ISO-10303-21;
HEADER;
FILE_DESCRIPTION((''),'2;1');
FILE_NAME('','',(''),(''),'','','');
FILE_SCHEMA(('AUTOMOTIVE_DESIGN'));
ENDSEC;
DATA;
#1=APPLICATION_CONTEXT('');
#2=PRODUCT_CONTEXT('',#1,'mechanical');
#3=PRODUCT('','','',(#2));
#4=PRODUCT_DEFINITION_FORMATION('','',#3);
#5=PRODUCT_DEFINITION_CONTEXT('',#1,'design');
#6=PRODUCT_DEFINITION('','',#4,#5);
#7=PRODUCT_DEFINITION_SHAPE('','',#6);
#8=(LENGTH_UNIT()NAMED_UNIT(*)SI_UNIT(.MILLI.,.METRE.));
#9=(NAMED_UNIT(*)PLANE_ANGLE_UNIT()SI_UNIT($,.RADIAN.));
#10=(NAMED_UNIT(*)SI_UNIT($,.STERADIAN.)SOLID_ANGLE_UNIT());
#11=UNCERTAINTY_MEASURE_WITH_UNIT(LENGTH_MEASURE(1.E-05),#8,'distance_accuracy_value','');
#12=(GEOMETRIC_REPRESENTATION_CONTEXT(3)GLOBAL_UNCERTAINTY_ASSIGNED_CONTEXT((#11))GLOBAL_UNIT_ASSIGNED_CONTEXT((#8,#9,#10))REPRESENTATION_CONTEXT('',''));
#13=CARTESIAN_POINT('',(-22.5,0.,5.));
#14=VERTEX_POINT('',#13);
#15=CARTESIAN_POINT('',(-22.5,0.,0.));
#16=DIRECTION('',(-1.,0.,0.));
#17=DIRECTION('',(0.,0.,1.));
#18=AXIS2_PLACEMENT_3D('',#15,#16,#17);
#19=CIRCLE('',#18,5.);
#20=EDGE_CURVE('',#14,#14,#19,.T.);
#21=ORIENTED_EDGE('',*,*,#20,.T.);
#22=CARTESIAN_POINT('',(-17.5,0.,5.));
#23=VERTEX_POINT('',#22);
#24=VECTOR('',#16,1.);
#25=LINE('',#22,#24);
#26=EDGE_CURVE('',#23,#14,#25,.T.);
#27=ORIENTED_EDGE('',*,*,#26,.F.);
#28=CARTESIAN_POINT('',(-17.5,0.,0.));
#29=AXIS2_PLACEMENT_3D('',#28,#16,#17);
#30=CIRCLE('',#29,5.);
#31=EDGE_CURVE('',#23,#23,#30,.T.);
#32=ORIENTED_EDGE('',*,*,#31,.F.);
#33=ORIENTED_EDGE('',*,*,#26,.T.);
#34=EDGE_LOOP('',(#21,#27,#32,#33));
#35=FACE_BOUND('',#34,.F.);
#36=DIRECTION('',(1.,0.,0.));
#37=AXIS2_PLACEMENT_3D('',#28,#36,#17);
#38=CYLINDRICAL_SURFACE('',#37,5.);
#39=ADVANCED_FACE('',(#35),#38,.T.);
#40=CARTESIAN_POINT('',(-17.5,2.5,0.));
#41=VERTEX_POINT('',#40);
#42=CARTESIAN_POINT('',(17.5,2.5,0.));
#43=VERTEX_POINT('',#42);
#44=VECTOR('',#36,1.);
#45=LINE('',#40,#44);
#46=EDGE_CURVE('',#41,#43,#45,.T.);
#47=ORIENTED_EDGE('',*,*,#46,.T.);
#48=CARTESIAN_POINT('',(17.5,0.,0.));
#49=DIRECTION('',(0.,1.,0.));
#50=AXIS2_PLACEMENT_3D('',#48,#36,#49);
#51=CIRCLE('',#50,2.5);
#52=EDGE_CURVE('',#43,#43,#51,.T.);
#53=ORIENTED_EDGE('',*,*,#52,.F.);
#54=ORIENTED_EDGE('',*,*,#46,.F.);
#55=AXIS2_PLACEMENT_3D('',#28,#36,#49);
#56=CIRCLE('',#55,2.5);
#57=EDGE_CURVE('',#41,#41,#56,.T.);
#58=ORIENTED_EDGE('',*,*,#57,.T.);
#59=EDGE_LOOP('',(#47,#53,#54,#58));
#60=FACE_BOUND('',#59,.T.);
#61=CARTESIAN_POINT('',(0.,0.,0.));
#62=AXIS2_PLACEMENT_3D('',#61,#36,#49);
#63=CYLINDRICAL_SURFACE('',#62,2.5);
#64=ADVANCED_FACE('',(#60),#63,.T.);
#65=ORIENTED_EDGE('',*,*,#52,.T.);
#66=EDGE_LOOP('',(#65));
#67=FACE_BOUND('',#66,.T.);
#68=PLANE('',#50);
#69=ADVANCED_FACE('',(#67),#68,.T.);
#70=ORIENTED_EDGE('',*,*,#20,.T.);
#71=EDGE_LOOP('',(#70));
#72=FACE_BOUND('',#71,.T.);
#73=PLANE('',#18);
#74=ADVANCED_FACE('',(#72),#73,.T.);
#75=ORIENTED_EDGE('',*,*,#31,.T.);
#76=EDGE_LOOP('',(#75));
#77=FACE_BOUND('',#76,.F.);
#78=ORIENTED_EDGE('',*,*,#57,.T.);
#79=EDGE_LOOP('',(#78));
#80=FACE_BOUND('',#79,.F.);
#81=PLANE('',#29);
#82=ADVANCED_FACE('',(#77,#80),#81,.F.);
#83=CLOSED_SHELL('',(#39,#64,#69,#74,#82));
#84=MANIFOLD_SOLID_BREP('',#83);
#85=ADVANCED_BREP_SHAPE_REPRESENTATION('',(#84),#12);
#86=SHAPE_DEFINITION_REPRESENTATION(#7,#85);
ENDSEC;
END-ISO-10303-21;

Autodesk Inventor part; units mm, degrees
ref_plane "YZ Plane" through (0, 0, 0) normal (1, 0, 0) x (0, 1, 0)
ref_plane "XZ Plane" through (0, 0, 0) normal (0, 1, 0) x (-1, 0, 0)
ref_plane "XY Plane" through (0, 0, 0) normal (0, 0, 1) x (1, 0, 0)
sketch "Sketch1" plane through (0, 0, 0) normal (1, 0, 0) x (0, 1, 0)
  circle A0 centre (0, 0) radius 2.5
  dimension "d0" = 5
extrude "Extrusion1" add sketch "Sketch1" along normal mid plane 35
sketch "Sketch2" plane through (-17.5, 0, 0) normal (-1, 0, 0) x (0, 0, 1)
  circle A0 centre (0, 0) radius 5
  dimension "d3" = 10
extrude "Extrusion2" add sketch "Sketch2" along normal blind 5
properties part number "SS-5FL111-3T_Housing_02"
